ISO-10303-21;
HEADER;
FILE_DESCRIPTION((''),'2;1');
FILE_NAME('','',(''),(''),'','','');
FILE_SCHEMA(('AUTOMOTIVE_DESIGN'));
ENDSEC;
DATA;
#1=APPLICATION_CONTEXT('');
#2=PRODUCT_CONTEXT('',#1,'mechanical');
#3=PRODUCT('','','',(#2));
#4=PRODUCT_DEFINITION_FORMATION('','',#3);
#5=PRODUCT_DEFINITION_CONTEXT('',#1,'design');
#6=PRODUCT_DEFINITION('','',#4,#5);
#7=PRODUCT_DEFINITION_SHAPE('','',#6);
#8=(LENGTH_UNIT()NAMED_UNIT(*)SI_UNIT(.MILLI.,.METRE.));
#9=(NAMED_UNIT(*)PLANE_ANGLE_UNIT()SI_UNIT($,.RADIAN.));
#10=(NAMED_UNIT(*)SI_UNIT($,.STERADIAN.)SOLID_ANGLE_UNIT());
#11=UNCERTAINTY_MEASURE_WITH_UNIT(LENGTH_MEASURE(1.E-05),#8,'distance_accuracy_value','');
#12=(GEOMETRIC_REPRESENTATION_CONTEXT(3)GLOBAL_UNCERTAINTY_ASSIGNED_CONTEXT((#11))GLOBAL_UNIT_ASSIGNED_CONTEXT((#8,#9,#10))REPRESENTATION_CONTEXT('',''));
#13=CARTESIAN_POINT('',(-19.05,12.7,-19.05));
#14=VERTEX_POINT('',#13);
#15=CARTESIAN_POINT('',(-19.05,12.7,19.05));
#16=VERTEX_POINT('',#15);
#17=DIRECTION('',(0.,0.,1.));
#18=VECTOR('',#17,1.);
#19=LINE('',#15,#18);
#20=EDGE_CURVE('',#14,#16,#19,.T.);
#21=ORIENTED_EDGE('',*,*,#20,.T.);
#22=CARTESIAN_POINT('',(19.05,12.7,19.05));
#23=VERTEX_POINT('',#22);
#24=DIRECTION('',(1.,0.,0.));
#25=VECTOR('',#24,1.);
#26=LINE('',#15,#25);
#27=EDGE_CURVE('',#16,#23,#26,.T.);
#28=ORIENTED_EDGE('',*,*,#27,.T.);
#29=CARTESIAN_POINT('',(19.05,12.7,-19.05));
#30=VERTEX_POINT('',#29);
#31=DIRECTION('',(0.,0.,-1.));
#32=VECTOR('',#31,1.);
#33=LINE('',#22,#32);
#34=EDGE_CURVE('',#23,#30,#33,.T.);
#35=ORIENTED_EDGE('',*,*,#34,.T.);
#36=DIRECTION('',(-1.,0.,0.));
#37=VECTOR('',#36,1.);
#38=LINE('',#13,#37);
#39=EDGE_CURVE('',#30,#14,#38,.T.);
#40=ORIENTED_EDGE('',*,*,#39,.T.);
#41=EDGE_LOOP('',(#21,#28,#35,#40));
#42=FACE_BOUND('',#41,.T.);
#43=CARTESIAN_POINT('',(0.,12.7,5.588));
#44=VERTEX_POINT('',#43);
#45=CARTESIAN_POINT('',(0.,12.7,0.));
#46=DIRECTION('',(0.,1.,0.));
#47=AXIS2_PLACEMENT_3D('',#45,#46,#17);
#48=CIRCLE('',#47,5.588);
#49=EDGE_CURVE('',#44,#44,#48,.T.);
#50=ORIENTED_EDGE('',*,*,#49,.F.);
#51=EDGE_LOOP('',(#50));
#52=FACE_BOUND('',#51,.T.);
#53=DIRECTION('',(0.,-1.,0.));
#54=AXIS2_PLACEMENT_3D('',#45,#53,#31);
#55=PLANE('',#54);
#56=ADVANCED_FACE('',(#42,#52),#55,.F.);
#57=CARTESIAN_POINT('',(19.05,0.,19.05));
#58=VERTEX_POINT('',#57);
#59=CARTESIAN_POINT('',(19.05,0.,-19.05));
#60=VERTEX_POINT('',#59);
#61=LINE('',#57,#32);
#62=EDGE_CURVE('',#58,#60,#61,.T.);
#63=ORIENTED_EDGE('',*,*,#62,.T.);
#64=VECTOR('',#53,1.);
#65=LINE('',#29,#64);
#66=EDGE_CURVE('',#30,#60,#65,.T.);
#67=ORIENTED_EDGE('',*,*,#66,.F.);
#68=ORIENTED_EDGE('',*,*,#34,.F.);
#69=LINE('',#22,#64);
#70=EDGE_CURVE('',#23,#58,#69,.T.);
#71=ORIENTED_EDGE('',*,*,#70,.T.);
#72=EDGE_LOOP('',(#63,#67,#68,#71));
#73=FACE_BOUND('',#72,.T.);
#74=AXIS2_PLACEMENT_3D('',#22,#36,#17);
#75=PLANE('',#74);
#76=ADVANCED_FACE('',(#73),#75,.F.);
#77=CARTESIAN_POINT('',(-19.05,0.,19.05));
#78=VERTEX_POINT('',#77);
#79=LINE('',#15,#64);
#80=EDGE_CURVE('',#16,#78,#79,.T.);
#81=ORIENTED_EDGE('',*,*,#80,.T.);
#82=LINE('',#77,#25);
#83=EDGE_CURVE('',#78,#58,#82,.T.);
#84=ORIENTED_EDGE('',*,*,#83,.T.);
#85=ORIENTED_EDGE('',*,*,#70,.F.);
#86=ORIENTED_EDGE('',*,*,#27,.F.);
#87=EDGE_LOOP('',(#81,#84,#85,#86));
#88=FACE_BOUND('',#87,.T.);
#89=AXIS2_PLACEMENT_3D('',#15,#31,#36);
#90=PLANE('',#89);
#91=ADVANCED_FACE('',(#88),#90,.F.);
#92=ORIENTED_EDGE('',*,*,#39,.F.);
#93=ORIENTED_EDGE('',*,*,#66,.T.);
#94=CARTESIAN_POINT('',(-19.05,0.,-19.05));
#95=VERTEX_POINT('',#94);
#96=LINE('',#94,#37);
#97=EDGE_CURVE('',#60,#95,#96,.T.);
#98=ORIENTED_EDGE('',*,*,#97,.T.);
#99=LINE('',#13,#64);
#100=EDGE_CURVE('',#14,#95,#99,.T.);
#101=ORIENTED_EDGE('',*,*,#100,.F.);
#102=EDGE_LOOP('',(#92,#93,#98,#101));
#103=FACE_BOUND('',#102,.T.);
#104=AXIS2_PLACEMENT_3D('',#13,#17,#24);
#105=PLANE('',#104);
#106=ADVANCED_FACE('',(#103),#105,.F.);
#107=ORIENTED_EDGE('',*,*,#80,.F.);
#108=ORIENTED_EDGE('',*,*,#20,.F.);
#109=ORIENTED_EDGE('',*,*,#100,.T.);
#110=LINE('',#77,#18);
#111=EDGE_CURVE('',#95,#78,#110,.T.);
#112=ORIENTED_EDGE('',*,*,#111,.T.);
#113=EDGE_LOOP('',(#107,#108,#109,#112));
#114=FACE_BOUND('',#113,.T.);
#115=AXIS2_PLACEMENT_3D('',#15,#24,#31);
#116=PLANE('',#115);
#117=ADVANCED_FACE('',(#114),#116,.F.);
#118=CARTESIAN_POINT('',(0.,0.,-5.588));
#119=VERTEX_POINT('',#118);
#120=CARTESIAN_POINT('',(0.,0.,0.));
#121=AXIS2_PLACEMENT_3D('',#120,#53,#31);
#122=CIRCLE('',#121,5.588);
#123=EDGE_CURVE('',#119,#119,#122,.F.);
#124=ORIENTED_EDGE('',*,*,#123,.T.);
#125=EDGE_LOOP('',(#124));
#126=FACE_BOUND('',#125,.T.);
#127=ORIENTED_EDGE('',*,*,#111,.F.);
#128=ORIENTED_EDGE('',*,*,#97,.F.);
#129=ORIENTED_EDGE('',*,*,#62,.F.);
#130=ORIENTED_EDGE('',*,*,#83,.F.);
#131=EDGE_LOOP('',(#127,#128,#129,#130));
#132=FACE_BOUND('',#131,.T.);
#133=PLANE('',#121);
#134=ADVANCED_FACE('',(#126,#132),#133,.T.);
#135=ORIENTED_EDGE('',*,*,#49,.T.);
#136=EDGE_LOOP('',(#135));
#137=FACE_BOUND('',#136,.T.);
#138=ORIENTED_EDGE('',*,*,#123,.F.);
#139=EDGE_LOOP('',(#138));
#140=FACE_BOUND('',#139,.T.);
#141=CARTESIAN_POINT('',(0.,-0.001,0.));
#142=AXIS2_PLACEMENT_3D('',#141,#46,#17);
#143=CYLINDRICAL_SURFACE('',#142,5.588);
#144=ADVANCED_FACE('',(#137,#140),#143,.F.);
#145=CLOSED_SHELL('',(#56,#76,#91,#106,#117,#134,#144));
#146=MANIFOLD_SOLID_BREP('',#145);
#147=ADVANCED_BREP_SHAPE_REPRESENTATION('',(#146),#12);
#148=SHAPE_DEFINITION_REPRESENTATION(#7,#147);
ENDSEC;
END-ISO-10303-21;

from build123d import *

# Parameters (mm, degrees)
SKETCH1_W           = 38.1
SKETCH1_H           = 38.1
BOSS_EXTRUDE1_DEPTH = 12.7
CUT_EXTRUDE1_REACH  = 14.7
SKETCH2_R           = 5.588


with BuildPart() as part:
    # Sketch1 → Boss-Extrude1 (new body)
    with BuildSketch(Plane(origin=(0, 0, 0), x_dir=(1, 0, 0), z_dir=(0, 1, 0))):
        Rectangle(SKETCH1_W, SKETCH1_H)
    extrude(amount=BOSS_EXTRUDE1_DEPTH)

    # Sketch2 → Cut-Extrude1 (cut, up to next)
    with BuildSketch(Plane(origin=(0, 12.7, 0), x_dir=(1, 0, 0), z_dir=(0, 1, 0)), mode=Mode.PRIVATE) as cut_extrude1_sk1:
        Circle(SKETCH2_R)
    cut_extrude1_tool1 = extrude(cut_extrude1_sk1.sketch, amount=-CUT_EXTRUDE1_REACH, mode=Mode.PRIVATE) & part.part
    add(cut_extrude1_tool1.solids().sort_by_distance((0, 12.7, 0))[0], mode=Mode.SUBTRACT)


solid = part.part
